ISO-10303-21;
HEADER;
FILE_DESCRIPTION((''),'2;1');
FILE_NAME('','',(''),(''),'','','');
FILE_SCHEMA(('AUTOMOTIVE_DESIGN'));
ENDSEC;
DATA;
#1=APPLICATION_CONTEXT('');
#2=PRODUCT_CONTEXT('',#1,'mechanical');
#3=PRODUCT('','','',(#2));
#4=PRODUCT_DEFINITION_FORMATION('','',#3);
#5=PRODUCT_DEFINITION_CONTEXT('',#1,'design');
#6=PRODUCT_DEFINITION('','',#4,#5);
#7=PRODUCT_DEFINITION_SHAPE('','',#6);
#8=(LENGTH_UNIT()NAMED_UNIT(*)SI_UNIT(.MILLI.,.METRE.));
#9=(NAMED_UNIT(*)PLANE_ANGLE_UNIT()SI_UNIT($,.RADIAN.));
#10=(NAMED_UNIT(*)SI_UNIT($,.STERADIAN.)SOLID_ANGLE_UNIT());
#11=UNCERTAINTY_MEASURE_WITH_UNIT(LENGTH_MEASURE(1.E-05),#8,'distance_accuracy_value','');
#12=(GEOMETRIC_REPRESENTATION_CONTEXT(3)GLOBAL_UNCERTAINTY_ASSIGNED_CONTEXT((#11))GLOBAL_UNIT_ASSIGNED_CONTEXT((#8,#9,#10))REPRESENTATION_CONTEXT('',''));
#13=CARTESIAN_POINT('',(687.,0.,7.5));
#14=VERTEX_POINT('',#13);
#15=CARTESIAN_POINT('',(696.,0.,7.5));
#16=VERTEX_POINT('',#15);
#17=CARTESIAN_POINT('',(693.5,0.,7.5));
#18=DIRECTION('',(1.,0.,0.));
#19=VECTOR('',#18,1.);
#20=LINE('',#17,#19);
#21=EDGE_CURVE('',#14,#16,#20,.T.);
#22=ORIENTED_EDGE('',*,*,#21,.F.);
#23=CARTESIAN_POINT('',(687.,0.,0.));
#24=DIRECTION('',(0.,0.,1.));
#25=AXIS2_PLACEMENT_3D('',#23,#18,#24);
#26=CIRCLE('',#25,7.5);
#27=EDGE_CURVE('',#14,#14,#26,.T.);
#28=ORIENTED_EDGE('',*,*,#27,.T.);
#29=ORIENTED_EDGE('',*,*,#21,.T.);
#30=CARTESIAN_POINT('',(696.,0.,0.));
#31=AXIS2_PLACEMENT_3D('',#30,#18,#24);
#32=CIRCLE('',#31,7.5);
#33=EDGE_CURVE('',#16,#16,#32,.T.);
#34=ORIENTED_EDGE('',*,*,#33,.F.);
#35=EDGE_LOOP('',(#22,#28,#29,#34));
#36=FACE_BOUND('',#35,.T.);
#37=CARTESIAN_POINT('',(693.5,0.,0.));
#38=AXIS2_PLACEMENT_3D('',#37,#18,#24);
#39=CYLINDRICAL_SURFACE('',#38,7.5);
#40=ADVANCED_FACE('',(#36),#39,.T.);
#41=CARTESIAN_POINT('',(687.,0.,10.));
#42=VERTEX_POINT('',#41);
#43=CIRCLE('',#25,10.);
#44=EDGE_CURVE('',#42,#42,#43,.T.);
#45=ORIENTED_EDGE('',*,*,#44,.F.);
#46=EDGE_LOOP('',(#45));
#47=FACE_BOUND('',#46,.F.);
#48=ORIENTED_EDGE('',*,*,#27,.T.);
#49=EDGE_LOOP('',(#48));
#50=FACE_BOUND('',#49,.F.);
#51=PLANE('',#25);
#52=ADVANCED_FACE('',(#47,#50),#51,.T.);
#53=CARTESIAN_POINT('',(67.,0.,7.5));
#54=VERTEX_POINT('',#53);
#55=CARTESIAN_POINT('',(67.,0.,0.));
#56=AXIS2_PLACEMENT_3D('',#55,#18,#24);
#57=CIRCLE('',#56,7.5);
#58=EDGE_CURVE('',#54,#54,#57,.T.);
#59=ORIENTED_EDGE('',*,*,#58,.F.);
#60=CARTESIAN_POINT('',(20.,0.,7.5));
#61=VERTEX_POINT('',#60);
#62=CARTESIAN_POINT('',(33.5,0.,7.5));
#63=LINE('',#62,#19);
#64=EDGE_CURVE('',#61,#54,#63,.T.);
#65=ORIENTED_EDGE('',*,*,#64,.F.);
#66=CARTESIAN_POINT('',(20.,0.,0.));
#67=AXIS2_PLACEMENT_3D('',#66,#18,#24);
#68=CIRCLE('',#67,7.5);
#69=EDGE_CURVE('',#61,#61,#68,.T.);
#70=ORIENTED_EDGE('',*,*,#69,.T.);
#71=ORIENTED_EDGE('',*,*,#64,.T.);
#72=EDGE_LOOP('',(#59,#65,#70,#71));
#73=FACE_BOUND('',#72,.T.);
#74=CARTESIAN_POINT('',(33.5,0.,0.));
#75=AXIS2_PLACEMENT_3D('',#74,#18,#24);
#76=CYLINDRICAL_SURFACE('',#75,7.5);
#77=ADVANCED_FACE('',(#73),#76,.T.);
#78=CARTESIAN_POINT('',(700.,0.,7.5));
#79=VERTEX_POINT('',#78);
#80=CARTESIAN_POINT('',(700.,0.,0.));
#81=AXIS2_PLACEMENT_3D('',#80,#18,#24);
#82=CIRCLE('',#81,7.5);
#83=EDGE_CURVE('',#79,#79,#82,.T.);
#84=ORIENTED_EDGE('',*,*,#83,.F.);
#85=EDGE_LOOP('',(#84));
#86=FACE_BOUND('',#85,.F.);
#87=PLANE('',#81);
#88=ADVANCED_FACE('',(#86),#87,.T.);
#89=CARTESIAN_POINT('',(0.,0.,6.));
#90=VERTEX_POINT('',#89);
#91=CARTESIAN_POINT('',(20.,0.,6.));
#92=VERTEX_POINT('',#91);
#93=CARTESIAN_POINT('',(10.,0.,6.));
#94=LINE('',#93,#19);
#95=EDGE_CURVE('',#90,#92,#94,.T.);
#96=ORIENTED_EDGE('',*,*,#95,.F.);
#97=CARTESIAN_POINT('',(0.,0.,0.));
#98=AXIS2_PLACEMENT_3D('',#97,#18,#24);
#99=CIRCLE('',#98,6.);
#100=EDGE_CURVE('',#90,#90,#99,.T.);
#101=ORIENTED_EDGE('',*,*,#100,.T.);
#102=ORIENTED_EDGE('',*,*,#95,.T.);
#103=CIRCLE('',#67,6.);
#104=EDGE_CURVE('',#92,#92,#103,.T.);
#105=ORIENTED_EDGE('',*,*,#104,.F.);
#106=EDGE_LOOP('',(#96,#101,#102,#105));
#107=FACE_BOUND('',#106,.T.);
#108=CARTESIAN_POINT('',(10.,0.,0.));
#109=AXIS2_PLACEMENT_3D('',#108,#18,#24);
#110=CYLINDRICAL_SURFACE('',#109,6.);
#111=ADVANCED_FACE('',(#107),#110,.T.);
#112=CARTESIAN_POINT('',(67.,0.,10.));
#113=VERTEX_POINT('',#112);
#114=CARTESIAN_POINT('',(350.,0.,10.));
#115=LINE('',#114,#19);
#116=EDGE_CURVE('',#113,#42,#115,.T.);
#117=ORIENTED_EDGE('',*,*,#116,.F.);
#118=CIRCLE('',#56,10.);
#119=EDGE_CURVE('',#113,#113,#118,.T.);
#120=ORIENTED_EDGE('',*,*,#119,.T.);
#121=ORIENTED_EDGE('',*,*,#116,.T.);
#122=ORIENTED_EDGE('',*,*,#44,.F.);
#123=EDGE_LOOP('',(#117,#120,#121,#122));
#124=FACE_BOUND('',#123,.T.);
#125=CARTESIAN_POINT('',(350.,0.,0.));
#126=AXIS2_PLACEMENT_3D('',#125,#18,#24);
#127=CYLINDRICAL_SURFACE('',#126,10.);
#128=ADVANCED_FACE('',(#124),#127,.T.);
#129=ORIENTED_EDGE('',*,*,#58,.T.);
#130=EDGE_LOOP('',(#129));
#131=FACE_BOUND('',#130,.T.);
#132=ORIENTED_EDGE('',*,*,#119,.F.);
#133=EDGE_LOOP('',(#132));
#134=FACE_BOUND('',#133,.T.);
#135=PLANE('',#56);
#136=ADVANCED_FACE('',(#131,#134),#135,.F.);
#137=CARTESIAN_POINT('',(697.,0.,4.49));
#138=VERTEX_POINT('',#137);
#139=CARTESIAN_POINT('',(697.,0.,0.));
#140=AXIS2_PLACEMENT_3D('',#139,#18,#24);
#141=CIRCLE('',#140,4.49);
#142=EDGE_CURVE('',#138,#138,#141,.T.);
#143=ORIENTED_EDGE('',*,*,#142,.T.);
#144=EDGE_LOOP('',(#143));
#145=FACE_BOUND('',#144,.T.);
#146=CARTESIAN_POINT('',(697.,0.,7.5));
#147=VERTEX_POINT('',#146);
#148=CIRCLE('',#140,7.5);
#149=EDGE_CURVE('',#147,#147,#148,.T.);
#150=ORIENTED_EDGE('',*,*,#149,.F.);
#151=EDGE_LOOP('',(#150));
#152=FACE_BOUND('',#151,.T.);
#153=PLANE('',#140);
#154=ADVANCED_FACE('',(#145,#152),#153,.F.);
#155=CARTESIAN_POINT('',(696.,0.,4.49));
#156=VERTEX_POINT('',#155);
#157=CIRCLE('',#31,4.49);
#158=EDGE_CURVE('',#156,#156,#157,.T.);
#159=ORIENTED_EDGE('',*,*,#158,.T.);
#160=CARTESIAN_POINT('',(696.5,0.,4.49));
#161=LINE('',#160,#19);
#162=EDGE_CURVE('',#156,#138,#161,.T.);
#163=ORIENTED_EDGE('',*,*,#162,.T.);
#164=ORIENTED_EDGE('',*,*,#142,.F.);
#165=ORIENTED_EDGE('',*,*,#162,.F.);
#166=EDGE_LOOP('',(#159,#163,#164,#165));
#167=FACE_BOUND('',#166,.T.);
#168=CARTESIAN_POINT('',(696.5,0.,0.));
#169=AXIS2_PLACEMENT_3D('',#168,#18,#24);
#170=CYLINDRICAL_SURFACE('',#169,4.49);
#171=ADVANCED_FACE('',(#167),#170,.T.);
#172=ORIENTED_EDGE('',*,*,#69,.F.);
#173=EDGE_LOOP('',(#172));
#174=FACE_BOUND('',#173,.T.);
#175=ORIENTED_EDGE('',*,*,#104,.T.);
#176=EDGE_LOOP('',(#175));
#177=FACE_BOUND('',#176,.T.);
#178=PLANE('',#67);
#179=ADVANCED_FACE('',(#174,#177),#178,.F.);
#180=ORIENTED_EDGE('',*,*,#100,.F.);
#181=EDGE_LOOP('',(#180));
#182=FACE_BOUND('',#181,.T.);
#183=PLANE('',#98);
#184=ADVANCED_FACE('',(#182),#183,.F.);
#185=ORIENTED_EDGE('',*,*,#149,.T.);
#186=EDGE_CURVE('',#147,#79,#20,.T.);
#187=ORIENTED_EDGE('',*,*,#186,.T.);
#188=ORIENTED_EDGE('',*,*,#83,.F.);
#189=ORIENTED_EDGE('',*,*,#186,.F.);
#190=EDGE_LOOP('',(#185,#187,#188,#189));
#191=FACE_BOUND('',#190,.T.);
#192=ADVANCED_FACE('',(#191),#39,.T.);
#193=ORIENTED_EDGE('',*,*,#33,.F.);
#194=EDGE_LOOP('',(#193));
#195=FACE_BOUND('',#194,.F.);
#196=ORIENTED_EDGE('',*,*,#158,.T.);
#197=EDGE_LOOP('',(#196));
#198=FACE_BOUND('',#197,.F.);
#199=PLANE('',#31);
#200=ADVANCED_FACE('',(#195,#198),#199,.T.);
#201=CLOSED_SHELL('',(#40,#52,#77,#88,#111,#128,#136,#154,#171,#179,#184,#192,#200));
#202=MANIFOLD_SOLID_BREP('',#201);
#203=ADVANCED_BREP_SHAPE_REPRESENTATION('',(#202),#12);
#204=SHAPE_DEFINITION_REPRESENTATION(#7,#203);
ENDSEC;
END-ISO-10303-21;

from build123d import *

# Parameters (mm, degrees)
SKETCH_W      = 700
SKETCH_H      = 10
SKETCH001_W   = 67
SKETCH001_H   = 2.5
SKETCH002_W   = 20
SKETCH002_H   = 1.5
SKETCH003_W   = 13
SKETCH003_H   = 2.5
SKETCH003_W_2 = 1
SKETCH003_H_2 = 3.01


with BuildPart() as part:
    # Sketch → Revolution (revolve)
    with BuildSketch(Plane.XZ):
        with Locations((350, 5)):
            Rectangle(SKETCH_W, SKETCH_H)
    revolve(axis=Axis((0, 0, 0), (1, 0, 0)))

    # Sketch001 → Groove (revolve, cut)
    with BuildSketch(Plane.XZ):
        with Locations((33.5, 8.75)):
            Rectangle(SKETCH001_W, SKETCH001_H)
    revolve(axis=Axis((0, 0, 0), (1, 0, 0)), mode=Mode.SUBTRACT)

    # Sketch002 → Groove001 (revolve, cut)
    with BuildSketch(Plane.XZ):
        with Locations((10, 6.75)):
            Rectangle(SKETCH002_W, SKETCH002_H)
    revolve(axis=Axis((0, 0, 0), (1, 0, 0)), mode=Mode.SUBTRACT)

    # Sketch003 → Groove002 (revolve, cut)
    with BuildSketch(Plane.XZ):
        with Locations((693.5, 8.75)):
            Rectangle(SKETCH003_W, SKETCH003_H)
        with Locations((696.5, 5.995)):
            Rectangle(SKETCH003_W_2, SKETCH003_H_2)
    revolve(axis=Axis((0, 0, 0), (1, 0, 0)), mode=Mode.SUBTRACT)


solid = part.part
